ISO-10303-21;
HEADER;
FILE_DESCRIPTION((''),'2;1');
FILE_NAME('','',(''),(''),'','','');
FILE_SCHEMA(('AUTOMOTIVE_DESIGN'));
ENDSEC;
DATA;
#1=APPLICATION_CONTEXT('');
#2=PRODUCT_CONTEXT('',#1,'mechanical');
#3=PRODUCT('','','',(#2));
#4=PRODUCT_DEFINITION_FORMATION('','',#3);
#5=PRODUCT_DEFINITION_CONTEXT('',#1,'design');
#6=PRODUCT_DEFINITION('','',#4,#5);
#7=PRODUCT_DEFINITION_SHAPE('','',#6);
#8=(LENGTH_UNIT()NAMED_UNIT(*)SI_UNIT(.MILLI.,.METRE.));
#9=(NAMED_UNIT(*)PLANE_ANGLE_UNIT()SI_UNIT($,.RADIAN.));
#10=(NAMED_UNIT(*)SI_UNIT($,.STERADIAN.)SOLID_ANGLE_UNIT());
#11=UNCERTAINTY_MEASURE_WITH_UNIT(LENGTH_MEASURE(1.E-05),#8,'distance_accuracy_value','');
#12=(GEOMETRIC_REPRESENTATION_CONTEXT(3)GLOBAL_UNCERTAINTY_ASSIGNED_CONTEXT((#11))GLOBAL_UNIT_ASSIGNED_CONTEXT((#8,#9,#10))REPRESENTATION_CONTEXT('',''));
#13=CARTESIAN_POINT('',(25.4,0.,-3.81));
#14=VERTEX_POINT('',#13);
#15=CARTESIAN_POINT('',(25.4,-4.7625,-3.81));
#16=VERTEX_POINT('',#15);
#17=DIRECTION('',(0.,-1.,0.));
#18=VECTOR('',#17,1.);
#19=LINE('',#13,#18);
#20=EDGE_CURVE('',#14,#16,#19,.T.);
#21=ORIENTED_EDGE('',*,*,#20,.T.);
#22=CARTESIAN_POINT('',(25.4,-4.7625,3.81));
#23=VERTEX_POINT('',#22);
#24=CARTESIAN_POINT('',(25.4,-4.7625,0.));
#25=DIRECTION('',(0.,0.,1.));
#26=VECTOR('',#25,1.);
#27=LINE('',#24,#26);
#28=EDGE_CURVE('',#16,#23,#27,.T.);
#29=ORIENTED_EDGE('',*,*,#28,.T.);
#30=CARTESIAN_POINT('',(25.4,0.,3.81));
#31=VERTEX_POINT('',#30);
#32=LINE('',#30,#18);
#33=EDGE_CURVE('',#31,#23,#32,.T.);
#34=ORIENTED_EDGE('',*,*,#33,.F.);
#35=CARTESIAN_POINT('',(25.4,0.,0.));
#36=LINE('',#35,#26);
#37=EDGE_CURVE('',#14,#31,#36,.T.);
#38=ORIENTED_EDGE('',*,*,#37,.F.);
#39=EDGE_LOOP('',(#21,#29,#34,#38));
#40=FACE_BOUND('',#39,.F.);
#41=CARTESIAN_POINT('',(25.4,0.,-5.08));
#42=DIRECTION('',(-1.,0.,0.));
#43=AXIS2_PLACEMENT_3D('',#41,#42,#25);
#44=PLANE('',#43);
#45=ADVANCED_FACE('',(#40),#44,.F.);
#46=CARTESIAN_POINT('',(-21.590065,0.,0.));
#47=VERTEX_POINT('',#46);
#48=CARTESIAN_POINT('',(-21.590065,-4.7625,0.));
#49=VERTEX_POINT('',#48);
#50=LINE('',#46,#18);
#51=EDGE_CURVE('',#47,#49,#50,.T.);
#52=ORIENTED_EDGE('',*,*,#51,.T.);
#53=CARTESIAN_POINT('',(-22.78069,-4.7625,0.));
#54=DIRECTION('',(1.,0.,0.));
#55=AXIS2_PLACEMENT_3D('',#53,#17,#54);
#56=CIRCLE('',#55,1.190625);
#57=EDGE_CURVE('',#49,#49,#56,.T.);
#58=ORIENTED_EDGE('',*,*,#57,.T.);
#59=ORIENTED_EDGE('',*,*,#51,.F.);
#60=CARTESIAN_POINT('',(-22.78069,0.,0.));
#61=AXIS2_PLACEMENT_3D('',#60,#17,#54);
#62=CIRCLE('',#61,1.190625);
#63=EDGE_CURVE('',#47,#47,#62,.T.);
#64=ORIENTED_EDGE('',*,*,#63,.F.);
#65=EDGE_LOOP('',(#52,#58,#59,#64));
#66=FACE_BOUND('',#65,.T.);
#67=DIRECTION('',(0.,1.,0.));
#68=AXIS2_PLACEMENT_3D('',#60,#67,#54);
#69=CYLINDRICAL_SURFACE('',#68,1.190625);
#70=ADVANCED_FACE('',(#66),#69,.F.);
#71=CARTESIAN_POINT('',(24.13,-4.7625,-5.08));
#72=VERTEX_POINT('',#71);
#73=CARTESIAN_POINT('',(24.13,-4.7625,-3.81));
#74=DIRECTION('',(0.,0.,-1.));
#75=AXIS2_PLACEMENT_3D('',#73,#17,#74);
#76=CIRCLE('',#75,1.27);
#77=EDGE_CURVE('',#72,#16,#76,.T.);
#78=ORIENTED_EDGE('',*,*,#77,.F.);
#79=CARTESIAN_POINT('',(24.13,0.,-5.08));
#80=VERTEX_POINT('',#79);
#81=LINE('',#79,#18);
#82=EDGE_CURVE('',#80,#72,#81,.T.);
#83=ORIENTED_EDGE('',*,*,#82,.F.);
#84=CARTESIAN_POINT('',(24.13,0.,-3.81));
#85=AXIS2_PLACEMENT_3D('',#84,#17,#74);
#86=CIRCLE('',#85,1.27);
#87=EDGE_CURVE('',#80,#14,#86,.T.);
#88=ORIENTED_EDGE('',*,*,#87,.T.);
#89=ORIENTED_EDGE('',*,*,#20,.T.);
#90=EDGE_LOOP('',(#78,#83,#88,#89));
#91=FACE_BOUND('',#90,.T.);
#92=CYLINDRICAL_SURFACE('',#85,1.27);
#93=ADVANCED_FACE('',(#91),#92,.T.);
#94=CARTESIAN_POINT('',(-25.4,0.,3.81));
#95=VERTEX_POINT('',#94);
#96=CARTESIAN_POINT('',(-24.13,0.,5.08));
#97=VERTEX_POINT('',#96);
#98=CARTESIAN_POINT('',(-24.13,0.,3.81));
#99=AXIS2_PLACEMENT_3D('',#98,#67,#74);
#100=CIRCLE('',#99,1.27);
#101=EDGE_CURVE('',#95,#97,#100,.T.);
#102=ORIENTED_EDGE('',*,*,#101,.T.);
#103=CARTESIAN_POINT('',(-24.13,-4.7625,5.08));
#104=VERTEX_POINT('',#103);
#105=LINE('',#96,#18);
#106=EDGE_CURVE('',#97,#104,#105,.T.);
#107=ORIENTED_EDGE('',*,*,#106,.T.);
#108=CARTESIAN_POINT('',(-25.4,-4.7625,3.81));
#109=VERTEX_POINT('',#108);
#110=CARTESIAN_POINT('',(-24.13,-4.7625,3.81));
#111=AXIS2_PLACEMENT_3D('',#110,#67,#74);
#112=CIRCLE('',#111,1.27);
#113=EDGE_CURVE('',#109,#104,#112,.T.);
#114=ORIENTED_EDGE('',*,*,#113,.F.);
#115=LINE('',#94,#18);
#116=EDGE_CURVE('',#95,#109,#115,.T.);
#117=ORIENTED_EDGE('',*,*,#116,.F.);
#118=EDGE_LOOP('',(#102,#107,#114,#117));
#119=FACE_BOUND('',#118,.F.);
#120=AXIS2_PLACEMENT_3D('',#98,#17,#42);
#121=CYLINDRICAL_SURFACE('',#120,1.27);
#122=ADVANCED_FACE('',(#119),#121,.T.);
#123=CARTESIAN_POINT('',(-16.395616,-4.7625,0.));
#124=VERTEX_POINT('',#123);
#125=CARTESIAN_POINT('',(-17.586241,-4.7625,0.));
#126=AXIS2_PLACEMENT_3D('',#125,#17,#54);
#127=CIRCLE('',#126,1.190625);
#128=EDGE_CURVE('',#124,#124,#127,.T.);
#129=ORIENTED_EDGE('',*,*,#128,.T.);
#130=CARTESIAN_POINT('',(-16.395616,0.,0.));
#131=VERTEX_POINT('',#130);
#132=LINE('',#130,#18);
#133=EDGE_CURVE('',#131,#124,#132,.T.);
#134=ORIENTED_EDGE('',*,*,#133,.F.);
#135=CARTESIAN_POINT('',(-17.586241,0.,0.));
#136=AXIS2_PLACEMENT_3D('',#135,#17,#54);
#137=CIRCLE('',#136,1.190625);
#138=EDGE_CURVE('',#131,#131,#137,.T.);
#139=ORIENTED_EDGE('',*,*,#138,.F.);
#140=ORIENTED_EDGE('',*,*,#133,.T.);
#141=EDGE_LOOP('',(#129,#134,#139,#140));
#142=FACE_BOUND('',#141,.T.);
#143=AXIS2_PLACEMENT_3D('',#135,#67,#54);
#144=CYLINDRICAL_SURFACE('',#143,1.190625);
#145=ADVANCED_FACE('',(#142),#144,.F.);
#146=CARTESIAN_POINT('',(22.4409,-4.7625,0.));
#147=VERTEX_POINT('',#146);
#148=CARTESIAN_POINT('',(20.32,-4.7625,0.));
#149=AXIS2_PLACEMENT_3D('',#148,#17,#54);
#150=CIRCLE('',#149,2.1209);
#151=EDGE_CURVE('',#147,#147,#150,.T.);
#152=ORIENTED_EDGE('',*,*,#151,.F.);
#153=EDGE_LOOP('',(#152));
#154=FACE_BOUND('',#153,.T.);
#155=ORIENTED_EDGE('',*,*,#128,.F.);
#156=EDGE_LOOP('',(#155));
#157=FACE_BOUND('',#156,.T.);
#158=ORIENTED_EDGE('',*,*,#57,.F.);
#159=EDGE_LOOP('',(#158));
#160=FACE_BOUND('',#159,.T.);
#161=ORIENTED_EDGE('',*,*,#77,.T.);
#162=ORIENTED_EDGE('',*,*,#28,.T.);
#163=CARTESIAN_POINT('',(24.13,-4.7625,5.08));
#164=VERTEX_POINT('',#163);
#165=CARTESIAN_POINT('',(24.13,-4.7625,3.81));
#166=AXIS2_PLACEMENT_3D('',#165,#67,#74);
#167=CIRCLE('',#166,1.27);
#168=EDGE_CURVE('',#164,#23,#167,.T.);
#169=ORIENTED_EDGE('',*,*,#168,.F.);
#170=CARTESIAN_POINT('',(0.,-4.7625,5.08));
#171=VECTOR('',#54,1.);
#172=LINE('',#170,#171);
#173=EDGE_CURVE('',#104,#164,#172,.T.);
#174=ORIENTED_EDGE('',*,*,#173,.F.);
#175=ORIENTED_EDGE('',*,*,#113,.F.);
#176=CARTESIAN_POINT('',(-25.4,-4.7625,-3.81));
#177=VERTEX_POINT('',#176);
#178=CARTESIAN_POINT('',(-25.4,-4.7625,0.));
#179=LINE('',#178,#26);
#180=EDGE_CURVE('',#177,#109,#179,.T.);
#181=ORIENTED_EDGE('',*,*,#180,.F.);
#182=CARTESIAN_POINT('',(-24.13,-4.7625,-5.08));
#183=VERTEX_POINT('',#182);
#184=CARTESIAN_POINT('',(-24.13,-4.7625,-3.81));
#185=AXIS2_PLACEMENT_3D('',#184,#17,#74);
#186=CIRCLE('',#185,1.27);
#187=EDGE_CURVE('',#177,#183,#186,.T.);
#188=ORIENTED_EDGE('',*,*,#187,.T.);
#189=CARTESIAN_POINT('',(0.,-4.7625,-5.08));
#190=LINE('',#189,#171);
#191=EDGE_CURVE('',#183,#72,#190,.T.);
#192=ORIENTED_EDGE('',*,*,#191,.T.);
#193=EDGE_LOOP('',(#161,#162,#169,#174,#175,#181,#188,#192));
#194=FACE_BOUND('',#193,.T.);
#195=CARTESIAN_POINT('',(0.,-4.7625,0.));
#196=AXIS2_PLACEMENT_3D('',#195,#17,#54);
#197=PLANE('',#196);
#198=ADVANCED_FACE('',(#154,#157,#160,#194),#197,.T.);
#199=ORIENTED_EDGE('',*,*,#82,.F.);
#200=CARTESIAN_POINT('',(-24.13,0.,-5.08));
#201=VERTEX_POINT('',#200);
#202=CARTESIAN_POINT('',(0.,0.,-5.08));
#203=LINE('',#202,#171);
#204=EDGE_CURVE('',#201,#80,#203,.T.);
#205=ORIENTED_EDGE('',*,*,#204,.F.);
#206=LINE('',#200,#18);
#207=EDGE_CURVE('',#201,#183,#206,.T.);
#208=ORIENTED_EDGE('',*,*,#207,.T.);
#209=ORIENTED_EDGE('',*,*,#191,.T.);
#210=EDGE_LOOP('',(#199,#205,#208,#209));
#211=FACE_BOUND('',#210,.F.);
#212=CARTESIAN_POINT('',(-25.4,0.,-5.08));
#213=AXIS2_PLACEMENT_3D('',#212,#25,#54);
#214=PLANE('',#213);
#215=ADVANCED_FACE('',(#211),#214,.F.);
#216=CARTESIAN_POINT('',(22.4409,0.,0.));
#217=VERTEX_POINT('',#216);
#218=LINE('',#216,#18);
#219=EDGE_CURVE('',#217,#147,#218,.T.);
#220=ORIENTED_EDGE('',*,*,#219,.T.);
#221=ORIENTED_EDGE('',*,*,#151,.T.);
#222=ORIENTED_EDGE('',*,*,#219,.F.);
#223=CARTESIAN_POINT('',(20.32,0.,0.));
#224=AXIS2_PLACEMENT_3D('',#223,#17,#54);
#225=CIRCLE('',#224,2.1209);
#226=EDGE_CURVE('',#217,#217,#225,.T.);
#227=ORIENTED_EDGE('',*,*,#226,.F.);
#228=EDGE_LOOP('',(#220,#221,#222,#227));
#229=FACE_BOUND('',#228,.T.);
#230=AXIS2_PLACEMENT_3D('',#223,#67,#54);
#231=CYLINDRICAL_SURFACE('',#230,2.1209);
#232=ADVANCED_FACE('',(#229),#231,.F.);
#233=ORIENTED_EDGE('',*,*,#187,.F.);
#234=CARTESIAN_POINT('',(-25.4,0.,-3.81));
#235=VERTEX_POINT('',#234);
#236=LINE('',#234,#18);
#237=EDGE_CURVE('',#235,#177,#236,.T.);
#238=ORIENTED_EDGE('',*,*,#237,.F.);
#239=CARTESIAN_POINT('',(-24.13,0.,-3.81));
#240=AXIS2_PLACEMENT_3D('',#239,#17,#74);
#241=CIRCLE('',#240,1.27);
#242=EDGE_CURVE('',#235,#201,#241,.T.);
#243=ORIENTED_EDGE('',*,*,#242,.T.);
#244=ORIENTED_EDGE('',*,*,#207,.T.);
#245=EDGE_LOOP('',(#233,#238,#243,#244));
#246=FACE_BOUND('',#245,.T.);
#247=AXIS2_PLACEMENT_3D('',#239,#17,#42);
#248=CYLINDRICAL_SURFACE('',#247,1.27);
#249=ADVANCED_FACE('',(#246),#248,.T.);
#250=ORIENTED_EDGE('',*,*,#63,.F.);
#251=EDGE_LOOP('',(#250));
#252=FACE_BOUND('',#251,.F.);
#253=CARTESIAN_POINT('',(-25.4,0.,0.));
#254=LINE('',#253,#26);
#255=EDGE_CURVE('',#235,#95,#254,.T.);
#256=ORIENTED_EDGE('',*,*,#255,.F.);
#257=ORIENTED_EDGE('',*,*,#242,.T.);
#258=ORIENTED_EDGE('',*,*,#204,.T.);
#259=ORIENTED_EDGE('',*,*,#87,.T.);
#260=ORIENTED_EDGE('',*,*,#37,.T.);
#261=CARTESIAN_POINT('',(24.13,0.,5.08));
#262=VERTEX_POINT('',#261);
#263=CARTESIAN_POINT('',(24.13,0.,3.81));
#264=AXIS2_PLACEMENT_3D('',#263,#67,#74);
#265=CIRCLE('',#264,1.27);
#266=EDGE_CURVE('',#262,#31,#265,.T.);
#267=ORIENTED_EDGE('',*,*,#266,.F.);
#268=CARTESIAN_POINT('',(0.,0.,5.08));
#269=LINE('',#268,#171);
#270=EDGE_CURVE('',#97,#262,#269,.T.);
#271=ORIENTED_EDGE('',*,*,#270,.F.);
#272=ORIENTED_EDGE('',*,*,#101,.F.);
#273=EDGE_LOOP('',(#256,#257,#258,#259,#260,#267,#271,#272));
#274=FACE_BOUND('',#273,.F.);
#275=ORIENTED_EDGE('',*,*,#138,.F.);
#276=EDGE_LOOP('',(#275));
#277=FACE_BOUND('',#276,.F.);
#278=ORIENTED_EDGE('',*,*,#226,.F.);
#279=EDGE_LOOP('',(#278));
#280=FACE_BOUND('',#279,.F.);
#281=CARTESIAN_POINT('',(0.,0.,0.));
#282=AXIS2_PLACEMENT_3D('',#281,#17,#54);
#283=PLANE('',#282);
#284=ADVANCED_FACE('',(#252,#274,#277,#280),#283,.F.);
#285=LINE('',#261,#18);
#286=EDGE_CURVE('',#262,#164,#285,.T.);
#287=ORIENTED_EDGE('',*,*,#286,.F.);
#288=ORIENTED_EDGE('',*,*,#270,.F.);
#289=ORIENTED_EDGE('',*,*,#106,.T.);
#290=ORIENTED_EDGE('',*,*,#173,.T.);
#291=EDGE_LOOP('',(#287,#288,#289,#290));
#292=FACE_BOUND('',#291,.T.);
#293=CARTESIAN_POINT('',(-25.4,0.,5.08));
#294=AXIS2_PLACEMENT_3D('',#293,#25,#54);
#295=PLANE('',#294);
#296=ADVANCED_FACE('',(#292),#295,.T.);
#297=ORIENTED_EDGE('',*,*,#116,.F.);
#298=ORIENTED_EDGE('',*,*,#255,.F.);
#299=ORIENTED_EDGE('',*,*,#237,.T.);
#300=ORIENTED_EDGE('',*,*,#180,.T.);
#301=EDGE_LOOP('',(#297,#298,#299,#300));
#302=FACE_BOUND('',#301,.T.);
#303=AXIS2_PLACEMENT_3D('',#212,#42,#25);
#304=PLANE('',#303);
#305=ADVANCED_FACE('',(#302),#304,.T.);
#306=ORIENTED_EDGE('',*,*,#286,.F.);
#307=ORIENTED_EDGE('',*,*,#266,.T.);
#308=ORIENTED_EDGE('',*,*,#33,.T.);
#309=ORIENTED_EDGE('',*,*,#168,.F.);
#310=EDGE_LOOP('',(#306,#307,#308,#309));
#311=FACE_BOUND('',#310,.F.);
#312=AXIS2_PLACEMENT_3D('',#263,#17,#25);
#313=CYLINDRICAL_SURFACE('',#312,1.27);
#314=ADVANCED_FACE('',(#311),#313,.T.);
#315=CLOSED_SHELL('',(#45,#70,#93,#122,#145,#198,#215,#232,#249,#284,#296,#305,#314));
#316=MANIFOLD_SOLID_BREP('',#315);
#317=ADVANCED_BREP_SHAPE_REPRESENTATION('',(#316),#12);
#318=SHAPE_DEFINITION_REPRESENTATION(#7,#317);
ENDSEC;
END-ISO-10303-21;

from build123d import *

# Parameters (mm, degrees)
F0_W     = 50.8
F0_H     = 10.16
F0_R     = 1.190625
F0_R_2   = 2.1209
F1_DEPTH = 4.7625
F2_R     = 1.27


with BuildPart() as f1:
    # F0 (on Front) → F1 (new body)
    with BuildSketch(Plane.XZ):
        Rectangle(F0_W, F0_H)
        with Locations((-22.78069, 0)):
            Circle(F0_R, mode=Mode.SUBTRACT)
        with Locations((-17.586241, 0)):
            Circle(F0_R, mode=Mode.SUBTRACT)
        with Locations((20.32, 0)):
            Circle(F0_R_2, mode=Mode.SUBTRACT)
    extrude(amount=F1_DEPTH)

    # F2
    f2_edges = [f1.edges().sort_by_distance(p)[0] for p in [
        (-25.4, -2.38125, 5.08),
        (25.4, -2.38125, 5.08),
        (25.4, -2.38125, -5.08),
        (-25.4, -2.38125, -5.08),
    ]]
    fillet(f2_edges, radius=F2_R)


solid = f1.part
